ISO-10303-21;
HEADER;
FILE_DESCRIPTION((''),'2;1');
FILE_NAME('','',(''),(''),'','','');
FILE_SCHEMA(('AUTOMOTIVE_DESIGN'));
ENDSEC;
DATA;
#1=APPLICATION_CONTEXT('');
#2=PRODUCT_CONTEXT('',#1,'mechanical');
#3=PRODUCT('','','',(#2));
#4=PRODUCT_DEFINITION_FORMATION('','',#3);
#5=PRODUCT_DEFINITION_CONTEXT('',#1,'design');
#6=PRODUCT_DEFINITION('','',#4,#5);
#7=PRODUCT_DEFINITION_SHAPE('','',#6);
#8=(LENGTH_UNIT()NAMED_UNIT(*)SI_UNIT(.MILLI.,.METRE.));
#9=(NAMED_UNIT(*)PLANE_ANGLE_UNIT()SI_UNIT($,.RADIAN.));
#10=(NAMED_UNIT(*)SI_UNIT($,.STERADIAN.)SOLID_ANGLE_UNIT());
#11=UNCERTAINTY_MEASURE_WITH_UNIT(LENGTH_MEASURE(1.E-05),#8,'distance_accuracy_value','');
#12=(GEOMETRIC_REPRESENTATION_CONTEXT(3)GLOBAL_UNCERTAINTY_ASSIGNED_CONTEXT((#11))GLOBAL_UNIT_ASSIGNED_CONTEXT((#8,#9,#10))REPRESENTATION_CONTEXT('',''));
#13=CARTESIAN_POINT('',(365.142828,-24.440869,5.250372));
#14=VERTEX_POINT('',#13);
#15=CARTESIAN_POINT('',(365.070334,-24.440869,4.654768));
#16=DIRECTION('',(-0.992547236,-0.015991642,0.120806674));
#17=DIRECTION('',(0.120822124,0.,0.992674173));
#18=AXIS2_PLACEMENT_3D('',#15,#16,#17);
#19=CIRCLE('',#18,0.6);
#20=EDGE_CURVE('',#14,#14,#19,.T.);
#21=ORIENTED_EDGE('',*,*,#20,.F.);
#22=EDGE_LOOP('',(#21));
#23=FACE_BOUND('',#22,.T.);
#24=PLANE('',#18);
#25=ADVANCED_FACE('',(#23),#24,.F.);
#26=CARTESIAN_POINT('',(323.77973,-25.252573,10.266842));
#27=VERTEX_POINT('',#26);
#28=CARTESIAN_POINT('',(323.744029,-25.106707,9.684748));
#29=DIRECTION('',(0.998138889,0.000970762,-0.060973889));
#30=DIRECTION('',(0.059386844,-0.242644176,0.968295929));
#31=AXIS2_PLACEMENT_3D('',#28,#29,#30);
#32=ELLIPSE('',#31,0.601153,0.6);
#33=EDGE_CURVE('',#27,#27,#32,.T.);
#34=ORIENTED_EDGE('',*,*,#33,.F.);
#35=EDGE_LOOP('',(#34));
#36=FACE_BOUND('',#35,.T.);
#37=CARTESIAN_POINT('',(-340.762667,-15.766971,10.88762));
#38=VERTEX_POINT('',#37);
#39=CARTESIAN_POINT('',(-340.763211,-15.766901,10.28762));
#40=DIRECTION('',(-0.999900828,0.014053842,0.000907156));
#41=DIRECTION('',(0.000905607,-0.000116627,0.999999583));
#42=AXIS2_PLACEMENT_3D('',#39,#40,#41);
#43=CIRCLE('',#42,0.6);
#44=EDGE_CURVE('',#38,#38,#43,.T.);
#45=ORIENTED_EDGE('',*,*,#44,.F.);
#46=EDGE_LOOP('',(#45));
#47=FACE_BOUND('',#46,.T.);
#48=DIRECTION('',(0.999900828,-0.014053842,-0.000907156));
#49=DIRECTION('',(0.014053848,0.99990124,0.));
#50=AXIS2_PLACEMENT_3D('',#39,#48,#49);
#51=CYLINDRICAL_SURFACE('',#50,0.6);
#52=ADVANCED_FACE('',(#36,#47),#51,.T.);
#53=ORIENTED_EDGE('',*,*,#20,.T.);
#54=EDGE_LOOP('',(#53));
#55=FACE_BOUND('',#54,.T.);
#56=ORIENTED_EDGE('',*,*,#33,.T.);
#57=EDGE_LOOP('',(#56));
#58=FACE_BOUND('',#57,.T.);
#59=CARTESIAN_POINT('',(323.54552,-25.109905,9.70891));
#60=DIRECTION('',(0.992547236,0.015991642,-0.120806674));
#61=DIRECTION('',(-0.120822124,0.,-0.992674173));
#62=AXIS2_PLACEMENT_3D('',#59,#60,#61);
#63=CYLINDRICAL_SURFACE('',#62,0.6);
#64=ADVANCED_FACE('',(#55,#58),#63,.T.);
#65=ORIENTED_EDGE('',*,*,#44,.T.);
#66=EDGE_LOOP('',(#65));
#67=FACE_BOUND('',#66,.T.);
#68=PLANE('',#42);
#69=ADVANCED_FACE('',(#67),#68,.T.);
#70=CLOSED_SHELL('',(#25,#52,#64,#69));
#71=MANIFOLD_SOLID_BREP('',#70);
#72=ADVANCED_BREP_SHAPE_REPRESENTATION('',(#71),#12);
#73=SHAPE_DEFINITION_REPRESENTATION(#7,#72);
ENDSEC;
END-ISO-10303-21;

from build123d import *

# Parameters (mm, degrees)
SWEEP1_PROFILE_R = 0.6


with BuildPart() as part:
    # Sweep1: sweep along a curve in space
    with BuildLine() as sweep1_path:
        Line((-340.763210741, -15.766900536, 10.287620049), (323.744029402, -25.106706538, 9.684748233))
        Line((323.744029402, -25.106706538, 9.684748233), (365.07033434, -24.440868738, 4.654767519))
    # Sweep1 profile (on start of the path) → Sweep1 (sweep)
    with BuildSketch(Plane(origin=(-340.763210741, -15.766900536, 10.287620049), x_dir=(0.014053847777846766, 0.9999012398045305, 0), z_dir=(0.9999008283786702, -0.014053841995159253, -0.0009071564497190388))):
        Circle(SWEEP1_PROFILE_R)
    sweep(path=sweep1_path.line, transition=Transition.RIGHT)


solid = part.part
